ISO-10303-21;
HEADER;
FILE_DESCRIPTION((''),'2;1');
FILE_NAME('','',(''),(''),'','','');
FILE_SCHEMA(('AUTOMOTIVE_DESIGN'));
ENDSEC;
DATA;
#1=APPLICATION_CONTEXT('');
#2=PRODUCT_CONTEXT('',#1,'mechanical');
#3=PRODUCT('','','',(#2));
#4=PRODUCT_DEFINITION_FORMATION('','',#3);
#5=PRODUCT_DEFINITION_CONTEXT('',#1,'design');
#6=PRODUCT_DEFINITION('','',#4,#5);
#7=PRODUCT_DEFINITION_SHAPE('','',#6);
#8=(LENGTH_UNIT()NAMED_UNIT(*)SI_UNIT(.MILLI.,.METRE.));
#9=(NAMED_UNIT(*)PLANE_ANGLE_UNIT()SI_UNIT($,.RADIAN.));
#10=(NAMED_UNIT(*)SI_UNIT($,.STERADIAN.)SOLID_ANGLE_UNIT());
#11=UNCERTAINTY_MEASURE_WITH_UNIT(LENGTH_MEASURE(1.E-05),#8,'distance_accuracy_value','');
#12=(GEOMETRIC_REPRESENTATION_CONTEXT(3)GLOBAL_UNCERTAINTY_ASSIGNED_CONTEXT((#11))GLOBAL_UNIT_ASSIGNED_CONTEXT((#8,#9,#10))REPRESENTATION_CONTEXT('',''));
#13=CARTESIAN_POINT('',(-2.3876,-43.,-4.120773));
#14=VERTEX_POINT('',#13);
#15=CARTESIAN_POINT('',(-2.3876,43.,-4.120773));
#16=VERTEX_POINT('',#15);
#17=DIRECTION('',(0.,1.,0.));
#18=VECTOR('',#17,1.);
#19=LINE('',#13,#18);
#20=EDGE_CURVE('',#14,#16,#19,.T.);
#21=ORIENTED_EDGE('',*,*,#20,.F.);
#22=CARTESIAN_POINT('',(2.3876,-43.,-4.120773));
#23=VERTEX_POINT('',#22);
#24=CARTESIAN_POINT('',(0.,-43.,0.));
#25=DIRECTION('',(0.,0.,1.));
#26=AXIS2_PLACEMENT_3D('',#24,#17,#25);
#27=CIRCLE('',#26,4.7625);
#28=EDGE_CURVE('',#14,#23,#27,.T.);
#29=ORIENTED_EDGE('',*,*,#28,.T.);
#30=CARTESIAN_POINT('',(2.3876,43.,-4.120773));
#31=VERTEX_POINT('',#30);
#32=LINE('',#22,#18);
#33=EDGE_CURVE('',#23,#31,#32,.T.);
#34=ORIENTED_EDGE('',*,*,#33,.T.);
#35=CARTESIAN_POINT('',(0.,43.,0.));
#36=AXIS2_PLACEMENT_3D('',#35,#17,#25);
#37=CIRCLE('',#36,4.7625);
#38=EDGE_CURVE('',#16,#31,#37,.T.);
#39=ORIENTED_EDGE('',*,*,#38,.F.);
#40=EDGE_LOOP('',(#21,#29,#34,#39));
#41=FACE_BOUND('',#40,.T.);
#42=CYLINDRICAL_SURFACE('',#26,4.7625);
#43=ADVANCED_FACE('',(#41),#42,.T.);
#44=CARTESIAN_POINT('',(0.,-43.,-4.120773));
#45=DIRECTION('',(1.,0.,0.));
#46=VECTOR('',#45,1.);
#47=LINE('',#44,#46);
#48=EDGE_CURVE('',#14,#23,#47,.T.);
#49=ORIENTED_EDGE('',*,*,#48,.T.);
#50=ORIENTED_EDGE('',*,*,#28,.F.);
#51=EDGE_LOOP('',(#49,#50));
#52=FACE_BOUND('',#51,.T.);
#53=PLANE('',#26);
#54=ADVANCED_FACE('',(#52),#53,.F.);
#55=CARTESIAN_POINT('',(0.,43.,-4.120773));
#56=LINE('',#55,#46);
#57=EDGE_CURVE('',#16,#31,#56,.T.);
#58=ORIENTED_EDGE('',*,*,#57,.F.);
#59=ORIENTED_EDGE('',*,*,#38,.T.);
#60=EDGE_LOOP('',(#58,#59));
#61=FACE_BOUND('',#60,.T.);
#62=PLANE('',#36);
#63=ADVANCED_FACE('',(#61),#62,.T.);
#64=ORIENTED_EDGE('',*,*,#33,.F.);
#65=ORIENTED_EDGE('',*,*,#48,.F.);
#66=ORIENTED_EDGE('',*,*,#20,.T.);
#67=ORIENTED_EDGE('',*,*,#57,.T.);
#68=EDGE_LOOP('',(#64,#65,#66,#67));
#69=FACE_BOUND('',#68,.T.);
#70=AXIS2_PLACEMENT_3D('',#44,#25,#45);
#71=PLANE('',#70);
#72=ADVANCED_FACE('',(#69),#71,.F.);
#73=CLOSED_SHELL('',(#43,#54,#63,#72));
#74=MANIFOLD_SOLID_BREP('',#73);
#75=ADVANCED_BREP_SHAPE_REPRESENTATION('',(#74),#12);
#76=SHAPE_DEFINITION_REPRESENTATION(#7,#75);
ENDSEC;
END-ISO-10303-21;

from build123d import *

# Parameters (mm, degrees)
BOSS_EXTRUDE1_DEPTH      = 43
BOSS_EXTRUDE1_DEPTH_BACK = 43


with BuildPart() as part:
    # Sketch1 → Boss-Extrude1 (new, two sides: drawn at the far end of the back side and taken through both)
    with BuildSketch(Plane(origin=(0, 0, 0), x_dir=(1, 0, 0), z_dir=(0, 1, 0)).offset(-BOSS_EXTRUDE1_DEPTH_BACK)):
        with BuildLine():
            Line((2.3876, 4.120773288), (-2.3876, 4.120773288))
            ThreePointArc((-2.3876, 4.120773288), (-2.378072881, -4.126278665), (4.7625, 0))
            ThreePointArc((4.7625, 0), (4.126278665, 2.378072881), (2.3876, 4.120773288))
        make_face()
    extrude(amount=BOSS_EXTRUDE1_DEPTH + BOSS_EXTRUDE1_DEPTH_BACK)


solid = part.part
